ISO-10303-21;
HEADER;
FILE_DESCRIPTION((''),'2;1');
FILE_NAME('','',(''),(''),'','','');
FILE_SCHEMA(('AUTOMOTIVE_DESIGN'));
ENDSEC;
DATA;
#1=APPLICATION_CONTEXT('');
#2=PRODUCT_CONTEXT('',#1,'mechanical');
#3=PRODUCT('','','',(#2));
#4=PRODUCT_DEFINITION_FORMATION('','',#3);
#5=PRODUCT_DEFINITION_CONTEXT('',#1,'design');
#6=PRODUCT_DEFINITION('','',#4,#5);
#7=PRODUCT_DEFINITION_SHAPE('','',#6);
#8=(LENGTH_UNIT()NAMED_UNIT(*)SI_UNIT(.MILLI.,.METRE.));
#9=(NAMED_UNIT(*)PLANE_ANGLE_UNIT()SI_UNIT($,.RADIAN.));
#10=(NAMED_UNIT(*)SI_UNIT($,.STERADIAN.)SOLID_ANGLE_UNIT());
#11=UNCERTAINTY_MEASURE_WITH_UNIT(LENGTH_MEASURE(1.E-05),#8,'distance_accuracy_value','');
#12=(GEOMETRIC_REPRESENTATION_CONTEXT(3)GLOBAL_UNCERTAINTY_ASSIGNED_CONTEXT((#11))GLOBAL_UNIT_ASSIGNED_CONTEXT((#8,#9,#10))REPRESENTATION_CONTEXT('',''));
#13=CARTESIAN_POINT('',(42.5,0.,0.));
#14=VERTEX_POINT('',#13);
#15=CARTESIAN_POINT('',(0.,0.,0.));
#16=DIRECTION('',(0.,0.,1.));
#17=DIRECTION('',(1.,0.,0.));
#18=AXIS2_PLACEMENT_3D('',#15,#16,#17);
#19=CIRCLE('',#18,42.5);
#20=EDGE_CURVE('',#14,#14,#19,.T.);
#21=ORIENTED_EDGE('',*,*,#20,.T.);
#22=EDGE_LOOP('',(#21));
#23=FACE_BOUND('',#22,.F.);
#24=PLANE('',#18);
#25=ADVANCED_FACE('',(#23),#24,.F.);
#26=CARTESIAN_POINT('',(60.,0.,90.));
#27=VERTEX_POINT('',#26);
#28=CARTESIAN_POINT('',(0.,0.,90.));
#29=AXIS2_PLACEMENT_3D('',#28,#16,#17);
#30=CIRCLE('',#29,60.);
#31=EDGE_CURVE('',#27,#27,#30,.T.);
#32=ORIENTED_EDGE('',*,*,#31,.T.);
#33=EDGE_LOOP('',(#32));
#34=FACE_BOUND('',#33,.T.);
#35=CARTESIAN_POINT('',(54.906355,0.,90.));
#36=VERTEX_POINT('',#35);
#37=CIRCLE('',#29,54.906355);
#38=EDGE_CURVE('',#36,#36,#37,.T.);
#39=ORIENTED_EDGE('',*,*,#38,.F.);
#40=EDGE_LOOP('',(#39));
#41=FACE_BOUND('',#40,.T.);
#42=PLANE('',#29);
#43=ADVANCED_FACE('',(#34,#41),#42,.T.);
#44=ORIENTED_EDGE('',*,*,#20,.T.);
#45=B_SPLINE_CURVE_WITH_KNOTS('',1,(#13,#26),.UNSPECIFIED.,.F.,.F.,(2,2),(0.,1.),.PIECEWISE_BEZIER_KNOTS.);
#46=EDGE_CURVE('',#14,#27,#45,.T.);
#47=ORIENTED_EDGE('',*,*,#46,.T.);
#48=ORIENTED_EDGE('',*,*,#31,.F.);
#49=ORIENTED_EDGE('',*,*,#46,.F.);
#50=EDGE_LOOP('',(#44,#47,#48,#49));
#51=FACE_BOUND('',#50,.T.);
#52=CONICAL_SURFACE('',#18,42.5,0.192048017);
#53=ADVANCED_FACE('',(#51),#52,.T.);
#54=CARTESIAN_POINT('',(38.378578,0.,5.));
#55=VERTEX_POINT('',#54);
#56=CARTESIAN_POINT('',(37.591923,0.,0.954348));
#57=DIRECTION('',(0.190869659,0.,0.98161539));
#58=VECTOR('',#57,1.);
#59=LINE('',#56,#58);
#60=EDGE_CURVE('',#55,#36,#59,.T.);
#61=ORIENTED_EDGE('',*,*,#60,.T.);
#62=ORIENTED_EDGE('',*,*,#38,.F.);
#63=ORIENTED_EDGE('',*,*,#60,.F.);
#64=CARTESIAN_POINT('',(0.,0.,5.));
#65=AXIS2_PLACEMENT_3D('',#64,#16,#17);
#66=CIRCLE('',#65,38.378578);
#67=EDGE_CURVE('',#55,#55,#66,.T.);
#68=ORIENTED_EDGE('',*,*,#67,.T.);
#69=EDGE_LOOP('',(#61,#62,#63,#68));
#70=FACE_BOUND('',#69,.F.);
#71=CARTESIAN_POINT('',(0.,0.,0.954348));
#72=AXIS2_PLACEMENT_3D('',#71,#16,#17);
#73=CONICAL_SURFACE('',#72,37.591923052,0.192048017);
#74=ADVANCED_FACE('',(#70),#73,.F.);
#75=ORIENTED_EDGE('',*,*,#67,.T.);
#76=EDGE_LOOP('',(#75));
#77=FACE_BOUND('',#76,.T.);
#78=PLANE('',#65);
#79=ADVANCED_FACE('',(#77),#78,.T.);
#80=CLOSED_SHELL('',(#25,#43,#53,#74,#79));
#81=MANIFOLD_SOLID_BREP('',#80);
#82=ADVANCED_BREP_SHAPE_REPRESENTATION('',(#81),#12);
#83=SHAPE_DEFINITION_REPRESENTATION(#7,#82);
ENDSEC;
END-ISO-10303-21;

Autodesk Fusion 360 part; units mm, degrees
sketch "Boceto1" plane through (0, 0, 0) normal (0, 0, 1) x (1, 0, 0)
  circle A0 centre (0, 0) radius 42.5
  dimension "d1" = 85
ref_plane "PlanoDeObra1" through (0, 0, 90) normal (0, 0, 1) x (1, 0, 0)
sketch "Boceto2" plane through (0, 0, 90) normal (0, 0, 1) x (1, 0, 0)
  circle A0 centre (0, 0) radius 60
  dimension "d3" = 120
loft "Solevación1" add profiles "Boceto1", "Boceto2" section 1 section 2
shell "Vaciado1" thickness 5 removed faces 1 at (14.661, 13.6035, 90)
